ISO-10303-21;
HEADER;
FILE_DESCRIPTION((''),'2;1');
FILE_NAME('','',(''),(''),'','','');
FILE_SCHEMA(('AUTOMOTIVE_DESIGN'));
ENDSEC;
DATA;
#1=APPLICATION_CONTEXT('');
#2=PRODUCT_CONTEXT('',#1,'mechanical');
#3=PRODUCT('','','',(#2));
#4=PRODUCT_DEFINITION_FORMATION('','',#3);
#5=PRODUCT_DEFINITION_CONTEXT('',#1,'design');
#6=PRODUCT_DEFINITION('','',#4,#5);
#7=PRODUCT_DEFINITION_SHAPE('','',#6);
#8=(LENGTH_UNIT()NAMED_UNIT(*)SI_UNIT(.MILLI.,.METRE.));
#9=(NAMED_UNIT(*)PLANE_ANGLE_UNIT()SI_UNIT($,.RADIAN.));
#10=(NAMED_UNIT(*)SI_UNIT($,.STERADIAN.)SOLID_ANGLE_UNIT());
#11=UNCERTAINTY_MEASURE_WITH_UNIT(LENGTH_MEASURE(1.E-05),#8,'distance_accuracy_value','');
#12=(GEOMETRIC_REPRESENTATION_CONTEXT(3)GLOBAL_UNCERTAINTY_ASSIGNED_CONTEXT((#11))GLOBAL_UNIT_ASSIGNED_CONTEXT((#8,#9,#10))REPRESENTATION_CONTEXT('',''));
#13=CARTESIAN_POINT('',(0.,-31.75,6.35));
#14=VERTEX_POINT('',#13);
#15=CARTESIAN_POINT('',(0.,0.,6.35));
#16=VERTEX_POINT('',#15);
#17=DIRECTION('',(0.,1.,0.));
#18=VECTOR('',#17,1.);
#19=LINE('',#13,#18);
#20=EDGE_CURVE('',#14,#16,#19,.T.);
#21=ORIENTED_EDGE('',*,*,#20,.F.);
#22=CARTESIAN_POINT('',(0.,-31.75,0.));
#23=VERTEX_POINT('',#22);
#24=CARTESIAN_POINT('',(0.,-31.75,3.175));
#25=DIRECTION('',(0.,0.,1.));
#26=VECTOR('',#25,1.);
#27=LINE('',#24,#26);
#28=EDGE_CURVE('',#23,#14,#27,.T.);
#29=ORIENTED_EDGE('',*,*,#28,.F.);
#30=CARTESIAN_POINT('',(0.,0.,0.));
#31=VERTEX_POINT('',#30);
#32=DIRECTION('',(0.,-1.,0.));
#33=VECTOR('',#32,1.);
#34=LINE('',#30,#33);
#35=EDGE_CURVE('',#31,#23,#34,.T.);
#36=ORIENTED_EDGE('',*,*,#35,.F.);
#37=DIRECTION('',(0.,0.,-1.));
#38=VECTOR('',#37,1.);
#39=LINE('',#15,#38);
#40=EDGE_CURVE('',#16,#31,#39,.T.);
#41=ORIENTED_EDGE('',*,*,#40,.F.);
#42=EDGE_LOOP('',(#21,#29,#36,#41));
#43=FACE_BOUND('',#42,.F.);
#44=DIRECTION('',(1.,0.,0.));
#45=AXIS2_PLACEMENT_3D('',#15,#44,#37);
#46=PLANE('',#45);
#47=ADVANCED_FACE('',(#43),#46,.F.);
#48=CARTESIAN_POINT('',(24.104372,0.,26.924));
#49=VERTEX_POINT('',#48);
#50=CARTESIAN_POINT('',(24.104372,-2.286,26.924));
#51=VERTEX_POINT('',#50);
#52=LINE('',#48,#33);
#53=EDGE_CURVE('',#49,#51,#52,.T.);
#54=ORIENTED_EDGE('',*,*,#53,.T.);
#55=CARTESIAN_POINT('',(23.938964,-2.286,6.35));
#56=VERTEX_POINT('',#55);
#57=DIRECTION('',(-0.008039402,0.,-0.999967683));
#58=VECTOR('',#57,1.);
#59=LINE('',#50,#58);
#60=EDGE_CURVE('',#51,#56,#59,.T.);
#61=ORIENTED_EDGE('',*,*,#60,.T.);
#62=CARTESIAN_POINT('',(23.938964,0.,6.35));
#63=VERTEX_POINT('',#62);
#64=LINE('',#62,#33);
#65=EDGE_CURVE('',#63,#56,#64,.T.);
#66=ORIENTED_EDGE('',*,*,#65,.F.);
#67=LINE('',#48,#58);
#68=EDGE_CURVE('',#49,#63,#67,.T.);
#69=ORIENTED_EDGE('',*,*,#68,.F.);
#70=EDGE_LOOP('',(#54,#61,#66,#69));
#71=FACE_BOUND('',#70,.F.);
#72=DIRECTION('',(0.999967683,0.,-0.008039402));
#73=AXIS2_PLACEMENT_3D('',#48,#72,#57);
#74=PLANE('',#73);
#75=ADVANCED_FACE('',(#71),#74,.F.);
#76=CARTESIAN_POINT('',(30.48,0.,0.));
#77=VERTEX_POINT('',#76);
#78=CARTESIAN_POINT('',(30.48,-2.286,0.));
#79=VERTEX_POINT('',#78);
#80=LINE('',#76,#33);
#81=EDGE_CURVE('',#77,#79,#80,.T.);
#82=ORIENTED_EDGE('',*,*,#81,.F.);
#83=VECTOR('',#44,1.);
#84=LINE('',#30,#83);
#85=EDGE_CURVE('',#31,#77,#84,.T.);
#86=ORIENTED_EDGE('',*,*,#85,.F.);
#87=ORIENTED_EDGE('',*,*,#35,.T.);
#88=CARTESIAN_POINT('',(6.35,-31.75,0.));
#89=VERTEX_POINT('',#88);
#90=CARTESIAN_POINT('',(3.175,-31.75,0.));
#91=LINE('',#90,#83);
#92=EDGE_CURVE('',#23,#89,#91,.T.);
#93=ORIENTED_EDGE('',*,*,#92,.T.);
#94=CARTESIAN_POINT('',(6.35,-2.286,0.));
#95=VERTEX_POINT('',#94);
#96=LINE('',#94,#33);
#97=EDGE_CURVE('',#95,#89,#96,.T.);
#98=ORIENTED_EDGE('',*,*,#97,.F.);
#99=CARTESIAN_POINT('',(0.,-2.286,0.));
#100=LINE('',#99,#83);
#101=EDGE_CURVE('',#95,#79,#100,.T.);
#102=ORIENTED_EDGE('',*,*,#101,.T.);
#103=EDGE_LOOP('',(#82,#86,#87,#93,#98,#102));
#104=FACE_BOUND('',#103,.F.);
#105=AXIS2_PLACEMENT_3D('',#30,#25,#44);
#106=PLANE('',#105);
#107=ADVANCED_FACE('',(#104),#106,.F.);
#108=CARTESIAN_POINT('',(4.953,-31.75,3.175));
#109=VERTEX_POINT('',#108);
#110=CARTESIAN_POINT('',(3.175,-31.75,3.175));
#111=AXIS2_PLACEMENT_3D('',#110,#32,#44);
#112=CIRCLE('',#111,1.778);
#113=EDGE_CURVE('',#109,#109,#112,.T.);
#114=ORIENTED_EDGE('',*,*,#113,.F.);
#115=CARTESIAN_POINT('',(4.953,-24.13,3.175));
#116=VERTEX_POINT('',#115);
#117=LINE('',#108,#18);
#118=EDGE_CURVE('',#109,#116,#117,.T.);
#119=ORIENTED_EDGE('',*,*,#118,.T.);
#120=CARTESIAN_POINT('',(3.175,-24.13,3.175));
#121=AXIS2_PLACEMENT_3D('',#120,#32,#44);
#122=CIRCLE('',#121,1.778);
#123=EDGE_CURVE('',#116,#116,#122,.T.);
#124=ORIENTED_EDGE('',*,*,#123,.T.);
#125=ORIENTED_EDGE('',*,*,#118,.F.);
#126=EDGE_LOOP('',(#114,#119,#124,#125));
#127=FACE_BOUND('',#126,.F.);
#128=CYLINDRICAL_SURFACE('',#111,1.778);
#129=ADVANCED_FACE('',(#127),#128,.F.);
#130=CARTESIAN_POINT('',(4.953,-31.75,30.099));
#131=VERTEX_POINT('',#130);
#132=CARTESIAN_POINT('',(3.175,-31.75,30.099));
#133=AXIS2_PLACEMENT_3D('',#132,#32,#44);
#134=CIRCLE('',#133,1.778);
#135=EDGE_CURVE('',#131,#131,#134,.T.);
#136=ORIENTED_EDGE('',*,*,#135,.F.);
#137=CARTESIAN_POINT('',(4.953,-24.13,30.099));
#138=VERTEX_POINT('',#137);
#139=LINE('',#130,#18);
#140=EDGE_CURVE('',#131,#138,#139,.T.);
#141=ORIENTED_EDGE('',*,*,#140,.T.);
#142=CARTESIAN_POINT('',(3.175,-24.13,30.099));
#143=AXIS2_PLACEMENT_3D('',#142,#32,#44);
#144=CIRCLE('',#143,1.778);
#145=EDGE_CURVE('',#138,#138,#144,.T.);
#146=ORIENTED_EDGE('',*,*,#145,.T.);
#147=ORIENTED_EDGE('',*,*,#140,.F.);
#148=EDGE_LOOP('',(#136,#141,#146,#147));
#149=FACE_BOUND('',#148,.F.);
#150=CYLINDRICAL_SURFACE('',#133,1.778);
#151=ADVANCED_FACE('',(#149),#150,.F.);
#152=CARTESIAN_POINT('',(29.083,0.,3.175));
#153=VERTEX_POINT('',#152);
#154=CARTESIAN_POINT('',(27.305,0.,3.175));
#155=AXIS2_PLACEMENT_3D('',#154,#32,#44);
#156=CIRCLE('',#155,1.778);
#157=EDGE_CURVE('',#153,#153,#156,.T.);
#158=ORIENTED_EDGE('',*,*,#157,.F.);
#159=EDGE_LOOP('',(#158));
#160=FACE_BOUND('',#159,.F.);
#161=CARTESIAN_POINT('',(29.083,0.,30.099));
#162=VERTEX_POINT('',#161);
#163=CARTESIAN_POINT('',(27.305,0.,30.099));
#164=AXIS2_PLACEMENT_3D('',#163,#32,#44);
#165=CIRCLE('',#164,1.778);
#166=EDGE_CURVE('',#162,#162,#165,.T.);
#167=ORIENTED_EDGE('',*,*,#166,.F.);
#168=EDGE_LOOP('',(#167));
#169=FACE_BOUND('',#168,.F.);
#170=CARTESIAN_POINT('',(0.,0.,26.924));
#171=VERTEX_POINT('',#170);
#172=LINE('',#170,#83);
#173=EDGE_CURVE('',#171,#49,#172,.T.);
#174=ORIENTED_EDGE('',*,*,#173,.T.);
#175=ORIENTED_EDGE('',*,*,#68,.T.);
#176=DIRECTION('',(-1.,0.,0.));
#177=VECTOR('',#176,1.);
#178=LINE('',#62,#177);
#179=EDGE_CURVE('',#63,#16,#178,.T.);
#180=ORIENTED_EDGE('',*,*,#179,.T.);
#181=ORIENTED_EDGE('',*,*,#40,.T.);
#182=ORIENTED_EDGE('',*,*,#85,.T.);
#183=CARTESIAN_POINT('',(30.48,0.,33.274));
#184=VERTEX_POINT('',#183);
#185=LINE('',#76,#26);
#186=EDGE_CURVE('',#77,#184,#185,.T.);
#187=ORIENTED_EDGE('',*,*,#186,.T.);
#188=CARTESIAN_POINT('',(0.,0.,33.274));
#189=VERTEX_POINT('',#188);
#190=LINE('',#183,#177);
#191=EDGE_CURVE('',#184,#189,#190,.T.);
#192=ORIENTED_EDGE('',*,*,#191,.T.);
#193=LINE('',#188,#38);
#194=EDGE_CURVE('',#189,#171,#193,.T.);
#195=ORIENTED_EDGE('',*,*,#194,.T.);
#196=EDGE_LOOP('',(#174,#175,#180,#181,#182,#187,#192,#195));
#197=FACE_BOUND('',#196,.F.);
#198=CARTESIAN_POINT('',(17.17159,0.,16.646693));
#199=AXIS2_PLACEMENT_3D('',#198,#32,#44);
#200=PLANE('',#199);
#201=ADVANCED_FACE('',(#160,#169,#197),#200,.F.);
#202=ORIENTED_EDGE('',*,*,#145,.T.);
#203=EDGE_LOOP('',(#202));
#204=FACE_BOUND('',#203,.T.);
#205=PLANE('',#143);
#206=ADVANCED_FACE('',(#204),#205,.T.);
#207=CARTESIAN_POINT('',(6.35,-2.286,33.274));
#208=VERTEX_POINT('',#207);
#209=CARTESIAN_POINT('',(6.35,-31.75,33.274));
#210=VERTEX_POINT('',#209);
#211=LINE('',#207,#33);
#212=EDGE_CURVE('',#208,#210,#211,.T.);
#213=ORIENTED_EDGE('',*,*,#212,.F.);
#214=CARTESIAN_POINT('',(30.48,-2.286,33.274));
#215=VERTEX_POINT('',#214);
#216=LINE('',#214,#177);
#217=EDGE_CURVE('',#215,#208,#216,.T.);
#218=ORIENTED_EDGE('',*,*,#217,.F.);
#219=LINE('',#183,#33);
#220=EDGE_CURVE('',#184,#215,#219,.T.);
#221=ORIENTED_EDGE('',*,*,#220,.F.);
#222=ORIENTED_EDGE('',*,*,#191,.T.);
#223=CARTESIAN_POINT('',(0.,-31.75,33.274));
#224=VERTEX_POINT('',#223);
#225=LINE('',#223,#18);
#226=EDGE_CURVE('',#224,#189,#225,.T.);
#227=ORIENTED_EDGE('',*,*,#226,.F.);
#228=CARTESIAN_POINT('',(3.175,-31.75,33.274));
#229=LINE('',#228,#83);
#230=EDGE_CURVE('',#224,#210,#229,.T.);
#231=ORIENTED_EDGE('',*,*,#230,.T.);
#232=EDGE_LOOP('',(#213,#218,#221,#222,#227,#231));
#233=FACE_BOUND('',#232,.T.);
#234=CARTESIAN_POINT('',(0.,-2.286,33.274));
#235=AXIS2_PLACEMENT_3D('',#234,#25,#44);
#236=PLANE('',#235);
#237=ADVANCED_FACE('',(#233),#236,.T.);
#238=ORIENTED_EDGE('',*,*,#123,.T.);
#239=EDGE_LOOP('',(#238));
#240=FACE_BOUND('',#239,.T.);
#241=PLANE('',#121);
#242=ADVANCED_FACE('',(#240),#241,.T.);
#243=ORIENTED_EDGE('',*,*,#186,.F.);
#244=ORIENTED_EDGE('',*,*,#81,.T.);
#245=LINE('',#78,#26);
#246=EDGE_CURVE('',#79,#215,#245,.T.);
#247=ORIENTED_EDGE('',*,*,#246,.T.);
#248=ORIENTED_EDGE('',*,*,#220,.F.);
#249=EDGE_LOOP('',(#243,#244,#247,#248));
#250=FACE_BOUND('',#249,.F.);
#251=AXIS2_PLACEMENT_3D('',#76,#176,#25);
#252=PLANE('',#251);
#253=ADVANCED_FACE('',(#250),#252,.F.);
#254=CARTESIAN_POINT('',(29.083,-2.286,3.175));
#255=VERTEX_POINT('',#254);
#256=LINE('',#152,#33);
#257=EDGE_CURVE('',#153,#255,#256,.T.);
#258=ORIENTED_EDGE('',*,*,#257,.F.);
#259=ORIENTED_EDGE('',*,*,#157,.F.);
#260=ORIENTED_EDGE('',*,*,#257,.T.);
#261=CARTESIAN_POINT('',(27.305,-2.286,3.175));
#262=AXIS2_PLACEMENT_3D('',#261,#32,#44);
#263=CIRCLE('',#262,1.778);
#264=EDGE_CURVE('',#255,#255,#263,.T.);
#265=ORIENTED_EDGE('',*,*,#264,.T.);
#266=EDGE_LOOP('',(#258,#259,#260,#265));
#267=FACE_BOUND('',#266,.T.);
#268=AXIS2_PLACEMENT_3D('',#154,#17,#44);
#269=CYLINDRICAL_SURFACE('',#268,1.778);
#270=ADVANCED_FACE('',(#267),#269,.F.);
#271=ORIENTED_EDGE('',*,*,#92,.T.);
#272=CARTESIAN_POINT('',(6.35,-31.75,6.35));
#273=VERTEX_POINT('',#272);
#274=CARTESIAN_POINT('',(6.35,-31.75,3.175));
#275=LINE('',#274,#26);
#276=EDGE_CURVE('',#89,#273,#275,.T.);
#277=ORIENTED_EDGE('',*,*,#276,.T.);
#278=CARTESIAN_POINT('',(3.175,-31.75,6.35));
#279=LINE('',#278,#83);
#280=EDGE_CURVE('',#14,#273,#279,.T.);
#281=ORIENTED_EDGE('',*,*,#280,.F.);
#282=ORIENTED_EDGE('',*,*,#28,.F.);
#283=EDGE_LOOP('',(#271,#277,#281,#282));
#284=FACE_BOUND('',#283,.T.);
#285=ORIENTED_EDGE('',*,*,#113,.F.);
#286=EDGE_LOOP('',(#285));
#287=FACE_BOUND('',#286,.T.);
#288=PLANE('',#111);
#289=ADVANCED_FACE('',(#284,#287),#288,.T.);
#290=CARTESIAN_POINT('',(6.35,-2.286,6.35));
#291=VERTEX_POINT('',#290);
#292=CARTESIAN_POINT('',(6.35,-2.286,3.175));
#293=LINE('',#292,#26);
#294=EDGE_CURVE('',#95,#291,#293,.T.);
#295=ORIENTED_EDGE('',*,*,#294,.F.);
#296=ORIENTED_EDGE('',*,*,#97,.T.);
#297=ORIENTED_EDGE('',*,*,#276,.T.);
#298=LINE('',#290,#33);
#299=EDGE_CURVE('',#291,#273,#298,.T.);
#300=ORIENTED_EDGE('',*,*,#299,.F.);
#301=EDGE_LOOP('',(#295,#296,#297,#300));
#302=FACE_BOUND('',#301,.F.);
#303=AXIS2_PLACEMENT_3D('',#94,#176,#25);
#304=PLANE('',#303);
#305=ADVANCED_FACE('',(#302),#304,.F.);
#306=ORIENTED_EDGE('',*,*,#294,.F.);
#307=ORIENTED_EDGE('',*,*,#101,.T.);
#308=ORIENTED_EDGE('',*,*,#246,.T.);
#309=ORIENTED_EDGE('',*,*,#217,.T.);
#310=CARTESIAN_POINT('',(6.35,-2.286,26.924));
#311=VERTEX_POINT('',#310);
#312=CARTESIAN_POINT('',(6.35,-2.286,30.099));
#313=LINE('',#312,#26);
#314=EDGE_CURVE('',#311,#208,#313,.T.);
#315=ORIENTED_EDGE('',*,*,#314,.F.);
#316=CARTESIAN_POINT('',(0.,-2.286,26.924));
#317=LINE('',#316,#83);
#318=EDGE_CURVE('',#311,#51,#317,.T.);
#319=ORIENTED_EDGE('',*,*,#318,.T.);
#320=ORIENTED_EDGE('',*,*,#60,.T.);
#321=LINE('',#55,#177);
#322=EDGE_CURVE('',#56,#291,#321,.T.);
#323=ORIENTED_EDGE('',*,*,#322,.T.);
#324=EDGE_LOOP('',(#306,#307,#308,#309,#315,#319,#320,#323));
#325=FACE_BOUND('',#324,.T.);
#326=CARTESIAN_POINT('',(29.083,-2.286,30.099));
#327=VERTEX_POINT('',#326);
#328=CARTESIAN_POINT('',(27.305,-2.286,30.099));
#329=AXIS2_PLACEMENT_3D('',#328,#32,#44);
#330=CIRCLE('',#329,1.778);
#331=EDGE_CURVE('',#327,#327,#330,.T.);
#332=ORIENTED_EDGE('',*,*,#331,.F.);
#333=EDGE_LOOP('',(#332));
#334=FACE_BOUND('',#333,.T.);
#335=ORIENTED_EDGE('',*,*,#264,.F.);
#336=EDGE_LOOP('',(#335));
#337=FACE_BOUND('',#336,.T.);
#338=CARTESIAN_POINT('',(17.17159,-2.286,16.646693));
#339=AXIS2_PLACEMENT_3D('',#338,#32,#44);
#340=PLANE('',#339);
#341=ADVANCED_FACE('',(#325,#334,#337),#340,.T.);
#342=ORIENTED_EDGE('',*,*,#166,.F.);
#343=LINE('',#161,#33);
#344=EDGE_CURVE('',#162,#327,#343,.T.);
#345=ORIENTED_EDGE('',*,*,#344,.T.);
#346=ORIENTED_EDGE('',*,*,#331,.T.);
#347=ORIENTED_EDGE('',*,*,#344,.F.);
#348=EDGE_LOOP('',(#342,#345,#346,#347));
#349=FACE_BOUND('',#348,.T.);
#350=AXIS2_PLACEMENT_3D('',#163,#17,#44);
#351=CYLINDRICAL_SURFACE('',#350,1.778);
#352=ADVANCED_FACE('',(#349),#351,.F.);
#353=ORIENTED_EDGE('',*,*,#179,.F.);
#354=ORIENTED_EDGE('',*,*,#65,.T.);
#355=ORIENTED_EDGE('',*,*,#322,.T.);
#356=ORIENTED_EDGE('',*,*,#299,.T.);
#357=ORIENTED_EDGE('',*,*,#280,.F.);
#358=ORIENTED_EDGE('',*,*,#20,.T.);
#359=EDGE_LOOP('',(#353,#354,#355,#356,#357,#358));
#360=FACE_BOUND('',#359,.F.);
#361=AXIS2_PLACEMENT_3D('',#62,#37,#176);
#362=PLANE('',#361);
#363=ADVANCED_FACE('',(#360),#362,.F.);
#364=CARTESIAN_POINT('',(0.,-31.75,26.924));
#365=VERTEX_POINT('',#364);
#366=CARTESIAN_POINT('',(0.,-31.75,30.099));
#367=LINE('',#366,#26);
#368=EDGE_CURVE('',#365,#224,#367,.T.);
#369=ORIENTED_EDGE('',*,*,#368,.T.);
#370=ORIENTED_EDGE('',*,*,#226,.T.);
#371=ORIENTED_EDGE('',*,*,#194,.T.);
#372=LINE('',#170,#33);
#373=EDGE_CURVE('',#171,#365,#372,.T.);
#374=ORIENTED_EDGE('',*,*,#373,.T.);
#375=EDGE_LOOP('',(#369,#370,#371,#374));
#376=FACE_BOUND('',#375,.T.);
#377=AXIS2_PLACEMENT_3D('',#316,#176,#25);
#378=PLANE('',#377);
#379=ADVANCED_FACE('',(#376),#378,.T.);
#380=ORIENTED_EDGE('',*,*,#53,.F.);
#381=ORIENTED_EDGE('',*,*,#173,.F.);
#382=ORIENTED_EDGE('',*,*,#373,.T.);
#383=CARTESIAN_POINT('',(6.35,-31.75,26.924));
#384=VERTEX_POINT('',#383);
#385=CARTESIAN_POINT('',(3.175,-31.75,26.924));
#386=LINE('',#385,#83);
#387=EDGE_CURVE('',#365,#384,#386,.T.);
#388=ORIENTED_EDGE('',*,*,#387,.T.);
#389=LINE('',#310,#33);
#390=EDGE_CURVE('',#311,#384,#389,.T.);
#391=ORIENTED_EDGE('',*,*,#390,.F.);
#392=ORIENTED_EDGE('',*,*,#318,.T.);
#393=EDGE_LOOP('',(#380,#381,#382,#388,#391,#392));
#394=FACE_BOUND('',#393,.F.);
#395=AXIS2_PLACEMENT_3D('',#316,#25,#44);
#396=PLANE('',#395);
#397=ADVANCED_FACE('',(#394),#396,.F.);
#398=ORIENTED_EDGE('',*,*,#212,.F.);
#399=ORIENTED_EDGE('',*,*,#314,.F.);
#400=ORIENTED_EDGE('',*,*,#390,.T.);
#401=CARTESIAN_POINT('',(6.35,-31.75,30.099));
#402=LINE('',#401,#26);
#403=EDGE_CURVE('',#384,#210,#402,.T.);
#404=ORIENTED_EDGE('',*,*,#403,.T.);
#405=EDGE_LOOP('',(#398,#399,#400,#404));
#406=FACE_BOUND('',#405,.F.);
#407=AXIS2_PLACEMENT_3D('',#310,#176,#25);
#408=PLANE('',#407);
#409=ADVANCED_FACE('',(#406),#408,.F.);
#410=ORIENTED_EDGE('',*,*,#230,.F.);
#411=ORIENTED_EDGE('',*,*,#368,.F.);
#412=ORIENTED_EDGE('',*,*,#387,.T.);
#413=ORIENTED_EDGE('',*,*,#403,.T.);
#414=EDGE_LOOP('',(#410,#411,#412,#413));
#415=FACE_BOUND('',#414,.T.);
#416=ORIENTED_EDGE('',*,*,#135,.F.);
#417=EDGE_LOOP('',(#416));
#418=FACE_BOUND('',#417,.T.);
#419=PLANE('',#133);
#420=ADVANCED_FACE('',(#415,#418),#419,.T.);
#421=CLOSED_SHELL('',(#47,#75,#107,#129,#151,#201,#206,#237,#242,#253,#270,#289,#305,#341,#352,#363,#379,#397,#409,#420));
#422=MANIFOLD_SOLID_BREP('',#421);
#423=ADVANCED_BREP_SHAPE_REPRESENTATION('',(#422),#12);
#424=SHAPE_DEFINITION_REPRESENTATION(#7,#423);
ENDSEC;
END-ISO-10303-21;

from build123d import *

# Parameters (mm, degrees)
F0_R     = 1.778
F1_DEPTH = 2.286
F2_W     = 6.35
F2_H     = 6.35
F3_DEPTH = 29.464
F4_R     = 1.778
F5_DEPTH = 7.62


with BuildPart() as f1:
    # F0 (on Front) → F1 (new body)
    with BuildSketch(Plane.XZ):
        Polygon((0, 6.35), (0, 0), (23.887912, 0), (30.48, 0), (30.48, 33.274), (0, 33.274), (0, 26.924), (24.104372, 26.924), (23.938964, 6.35), align=None)
        with Locations((27.305, 3.175)):
            Circle(F0_R, mode=Mode.SUBTRACT)
        with Locations((27.305, 30.099)):
            Circle(F0_R, mode=Mode.SUBTRACT)
    extrude(amount=F1_DEPTH)

    # F2 (on face) → F3 (join)
    with BuildSketch(Plane.XZ.offset(2.286)):
        with Locations((3.175, 30.099)):
            Rectangle(F2_W, F2_H)
        with Locations((3.175, 3.175)):
            Rectangle(F2_W, F2_H)
    extrude(amount=F3_DEPTH)

    # F4 (on face) → F5 (cut)
    with BuildSketch(Plane.XZ.offset(31.75)):
        with Locations((3.175, 30.099)):
            Circle(F4_R)
        with Locations((3.175, 3.175)):
            Circle(F4_R)
    extrude(amount=-F5_DEPTH, mode=Mode.SUBTRACT)


solid = f1.part
